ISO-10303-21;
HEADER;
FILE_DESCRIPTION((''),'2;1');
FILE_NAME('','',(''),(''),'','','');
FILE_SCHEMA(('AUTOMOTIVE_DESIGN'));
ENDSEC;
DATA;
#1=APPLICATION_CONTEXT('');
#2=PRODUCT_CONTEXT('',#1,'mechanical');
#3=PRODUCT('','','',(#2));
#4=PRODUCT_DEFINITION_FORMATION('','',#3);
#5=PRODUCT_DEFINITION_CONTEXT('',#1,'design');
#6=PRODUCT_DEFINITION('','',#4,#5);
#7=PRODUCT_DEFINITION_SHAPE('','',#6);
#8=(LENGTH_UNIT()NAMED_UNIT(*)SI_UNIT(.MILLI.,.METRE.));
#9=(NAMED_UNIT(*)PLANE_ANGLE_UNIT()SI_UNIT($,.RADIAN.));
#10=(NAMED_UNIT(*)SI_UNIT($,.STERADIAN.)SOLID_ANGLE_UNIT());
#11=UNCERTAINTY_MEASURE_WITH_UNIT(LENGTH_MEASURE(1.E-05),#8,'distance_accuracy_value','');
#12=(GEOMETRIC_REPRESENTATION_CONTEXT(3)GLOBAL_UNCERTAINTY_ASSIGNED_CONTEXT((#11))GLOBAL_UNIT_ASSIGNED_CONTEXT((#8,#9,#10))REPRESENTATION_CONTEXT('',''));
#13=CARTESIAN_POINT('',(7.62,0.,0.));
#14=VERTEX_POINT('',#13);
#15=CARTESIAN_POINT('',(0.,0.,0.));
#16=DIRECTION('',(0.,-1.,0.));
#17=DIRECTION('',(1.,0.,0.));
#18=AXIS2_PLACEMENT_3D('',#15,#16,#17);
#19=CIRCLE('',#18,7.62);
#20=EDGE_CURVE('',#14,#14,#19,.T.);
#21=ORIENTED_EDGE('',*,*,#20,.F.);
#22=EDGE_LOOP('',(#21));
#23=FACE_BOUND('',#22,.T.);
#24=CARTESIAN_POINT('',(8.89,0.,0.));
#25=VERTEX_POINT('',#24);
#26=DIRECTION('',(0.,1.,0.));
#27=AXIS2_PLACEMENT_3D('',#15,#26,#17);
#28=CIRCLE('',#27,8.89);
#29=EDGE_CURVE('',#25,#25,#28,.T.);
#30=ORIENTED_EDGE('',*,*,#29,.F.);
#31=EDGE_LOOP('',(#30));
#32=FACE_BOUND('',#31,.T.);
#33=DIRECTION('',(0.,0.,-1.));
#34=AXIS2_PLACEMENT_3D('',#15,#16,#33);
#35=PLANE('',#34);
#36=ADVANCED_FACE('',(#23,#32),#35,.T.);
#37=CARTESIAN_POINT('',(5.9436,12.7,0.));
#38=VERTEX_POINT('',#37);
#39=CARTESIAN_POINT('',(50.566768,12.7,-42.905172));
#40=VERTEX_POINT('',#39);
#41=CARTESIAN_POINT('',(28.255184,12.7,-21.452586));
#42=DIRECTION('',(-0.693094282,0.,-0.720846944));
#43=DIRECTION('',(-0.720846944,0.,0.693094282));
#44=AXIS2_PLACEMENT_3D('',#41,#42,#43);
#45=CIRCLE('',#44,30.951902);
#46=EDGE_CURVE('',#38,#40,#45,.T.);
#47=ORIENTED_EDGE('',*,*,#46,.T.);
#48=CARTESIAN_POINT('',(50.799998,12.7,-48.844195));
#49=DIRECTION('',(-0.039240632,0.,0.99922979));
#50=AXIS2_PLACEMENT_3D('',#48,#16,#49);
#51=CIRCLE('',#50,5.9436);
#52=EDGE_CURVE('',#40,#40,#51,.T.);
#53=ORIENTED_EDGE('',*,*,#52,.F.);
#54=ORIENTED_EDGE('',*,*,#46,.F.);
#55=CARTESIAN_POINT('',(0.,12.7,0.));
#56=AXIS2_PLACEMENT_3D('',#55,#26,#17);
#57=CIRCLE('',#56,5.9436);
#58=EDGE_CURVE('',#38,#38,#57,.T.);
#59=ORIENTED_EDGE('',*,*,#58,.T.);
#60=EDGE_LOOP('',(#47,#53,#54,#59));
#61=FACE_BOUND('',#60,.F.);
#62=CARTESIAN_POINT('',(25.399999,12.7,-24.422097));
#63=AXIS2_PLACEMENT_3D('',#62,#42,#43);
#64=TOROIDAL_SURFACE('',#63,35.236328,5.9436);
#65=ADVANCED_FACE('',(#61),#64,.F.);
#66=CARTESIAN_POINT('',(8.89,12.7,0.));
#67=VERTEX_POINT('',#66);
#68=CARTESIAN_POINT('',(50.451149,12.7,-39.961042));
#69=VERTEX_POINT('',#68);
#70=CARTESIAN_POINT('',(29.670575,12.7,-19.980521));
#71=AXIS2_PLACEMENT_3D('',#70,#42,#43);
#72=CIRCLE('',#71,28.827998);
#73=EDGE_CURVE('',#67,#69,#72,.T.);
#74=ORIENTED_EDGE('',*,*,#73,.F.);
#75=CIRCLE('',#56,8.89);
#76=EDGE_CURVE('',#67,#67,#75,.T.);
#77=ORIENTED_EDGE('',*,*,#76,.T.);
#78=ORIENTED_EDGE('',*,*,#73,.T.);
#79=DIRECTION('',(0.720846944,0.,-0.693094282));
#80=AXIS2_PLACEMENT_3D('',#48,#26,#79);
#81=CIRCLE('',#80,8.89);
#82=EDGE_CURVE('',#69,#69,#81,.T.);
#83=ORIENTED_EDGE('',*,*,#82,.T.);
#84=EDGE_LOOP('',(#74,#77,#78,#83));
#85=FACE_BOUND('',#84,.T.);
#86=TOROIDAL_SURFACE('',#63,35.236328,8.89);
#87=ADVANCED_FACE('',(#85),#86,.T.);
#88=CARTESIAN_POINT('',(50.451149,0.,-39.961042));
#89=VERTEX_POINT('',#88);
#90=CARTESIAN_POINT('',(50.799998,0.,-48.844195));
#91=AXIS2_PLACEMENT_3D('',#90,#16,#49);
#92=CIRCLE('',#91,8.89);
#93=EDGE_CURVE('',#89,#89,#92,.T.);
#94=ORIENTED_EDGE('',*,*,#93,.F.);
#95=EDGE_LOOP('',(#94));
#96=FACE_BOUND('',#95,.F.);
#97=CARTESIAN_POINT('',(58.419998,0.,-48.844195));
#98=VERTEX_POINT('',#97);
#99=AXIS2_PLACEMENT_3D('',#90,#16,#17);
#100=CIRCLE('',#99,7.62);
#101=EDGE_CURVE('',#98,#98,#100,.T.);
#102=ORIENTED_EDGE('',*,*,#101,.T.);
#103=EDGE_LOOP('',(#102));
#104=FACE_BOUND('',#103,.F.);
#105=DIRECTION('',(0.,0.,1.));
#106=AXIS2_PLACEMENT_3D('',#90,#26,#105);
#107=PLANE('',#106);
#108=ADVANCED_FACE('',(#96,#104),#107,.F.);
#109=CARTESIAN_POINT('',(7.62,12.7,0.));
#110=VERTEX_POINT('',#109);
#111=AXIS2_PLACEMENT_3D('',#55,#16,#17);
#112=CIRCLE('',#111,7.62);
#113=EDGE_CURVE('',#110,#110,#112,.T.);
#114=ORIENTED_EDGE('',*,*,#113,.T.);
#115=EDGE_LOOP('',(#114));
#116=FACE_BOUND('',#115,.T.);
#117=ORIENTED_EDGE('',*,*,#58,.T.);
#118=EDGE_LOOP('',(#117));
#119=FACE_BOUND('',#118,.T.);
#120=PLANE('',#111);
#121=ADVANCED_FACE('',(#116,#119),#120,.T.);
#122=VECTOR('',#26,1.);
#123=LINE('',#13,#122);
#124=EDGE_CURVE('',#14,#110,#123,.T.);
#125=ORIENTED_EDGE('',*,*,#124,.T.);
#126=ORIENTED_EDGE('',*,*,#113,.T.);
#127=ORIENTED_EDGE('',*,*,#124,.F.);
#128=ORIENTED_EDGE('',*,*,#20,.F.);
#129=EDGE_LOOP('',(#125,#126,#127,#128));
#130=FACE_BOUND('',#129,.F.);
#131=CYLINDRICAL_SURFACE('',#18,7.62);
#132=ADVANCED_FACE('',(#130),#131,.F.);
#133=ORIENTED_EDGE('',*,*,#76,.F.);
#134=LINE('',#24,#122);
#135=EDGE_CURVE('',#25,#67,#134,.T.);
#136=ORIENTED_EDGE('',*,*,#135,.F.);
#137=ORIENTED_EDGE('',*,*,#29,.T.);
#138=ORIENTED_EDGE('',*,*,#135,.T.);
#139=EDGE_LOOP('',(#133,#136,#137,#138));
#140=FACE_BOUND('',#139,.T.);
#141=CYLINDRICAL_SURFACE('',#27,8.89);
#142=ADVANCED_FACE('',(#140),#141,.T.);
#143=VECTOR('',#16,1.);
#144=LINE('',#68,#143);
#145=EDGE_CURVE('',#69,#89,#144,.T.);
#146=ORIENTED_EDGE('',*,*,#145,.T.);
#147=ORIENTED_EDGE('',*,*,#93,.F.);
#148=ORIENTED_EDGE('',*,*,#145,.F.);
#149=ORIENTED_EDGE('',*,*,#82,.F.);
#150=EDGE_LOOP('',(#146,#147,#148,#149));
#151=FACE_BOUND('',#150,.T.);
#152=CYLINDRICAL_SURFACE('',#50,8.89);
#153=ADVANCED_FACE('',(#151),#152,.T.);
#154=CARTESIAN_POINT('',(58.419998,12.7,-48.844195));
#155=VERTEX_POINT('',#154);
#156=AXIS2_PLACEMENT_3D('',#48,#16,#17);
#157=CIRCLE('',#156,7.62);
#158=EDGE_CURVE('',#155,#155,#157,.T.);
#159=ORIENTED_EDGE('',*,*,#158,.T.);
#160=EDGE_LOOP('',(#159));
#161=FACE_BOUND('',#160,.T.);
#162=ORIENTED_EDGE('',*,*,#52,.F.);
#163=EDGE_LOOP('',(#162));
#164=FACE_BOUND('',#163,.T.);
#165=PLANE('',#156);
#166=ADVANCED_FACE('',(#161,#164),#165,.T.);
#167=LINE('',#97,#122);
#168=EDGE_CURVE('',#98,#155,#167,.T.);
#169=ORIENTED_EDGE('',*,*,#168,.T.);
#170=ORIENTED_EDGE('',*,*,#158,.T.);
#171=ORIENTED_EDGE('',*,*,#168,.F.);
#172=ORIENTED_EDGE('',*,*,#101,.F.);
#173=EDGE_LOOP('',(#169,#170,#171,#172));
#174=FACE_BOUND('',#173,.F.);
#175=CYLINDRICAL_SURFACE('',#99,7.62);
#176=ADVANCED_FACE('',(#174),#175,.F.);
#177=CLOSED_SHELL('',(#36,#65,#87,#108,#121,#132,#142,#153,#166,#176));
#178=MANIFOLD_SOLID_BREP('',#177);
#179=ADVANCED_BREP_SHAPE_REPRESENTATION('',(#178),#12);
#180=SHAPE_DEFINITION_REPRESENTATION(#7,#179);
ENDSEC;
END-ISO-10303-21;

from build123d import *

# Parameters (mm, degrees)
F3_R     = 8.89
F3_R_2   = 5.9436
F5_R     = 7.62
F5_R_2   = 5.9436
F7_DEPTH = 12.7
F6_R     = 7.62
F6_R_2   = 5.9436
F8_DEPTH = 12.7


with BuildPart() as f4:
    # F4: sweep along a path in F2
    with BuildLine(Plane(origin=(0, 0, 0), x_dir=(0.7208469435, 0, -0.6930942822), z_dir=(0.6930942822, 0, 0.7208469435))) as f4_path:
        Line((0, 0), (0, 12.7))
        ThreePointArc((0, 12.7), (35.2363278, 47.9363278), (70.4726556, 12.7))
        Line((70.4726556, 12.7), (70.4726556, 0))
    # F3 (on Front) → F4 (sweep)
    with BuildSketch(Plane.XZ):
        Circle(F3_R)
        Circle(F3_R_2, mode=Mode.SUBTRACT)
    sweep(path=f4_path.line)

    # F5 (on face) → F7 (cut)
    with BuildSketch(Plane.XZ):
        Circle(F5_R)
        Circle(F5_R_2, mode=Mode.SUBTRACT)
    extrude(amount=-F7_DEPTH, mode=Mode.SUBTRACT)

    # F6 (on face) → F8 (cut)
    with BuildSketch(Plane.XZ):
        with Locations((50.7999983902, -48.8441946486)):
            Circle(F6_R)
        with Locations((50.7999983902, -48.8441946486)):
            Circle(F6_R_2, mode=Mode.SUBTRACT)
    extrude(amount=-F8_DEPTH, mode=Mode.SUBTRACT)


solid = f4.part
